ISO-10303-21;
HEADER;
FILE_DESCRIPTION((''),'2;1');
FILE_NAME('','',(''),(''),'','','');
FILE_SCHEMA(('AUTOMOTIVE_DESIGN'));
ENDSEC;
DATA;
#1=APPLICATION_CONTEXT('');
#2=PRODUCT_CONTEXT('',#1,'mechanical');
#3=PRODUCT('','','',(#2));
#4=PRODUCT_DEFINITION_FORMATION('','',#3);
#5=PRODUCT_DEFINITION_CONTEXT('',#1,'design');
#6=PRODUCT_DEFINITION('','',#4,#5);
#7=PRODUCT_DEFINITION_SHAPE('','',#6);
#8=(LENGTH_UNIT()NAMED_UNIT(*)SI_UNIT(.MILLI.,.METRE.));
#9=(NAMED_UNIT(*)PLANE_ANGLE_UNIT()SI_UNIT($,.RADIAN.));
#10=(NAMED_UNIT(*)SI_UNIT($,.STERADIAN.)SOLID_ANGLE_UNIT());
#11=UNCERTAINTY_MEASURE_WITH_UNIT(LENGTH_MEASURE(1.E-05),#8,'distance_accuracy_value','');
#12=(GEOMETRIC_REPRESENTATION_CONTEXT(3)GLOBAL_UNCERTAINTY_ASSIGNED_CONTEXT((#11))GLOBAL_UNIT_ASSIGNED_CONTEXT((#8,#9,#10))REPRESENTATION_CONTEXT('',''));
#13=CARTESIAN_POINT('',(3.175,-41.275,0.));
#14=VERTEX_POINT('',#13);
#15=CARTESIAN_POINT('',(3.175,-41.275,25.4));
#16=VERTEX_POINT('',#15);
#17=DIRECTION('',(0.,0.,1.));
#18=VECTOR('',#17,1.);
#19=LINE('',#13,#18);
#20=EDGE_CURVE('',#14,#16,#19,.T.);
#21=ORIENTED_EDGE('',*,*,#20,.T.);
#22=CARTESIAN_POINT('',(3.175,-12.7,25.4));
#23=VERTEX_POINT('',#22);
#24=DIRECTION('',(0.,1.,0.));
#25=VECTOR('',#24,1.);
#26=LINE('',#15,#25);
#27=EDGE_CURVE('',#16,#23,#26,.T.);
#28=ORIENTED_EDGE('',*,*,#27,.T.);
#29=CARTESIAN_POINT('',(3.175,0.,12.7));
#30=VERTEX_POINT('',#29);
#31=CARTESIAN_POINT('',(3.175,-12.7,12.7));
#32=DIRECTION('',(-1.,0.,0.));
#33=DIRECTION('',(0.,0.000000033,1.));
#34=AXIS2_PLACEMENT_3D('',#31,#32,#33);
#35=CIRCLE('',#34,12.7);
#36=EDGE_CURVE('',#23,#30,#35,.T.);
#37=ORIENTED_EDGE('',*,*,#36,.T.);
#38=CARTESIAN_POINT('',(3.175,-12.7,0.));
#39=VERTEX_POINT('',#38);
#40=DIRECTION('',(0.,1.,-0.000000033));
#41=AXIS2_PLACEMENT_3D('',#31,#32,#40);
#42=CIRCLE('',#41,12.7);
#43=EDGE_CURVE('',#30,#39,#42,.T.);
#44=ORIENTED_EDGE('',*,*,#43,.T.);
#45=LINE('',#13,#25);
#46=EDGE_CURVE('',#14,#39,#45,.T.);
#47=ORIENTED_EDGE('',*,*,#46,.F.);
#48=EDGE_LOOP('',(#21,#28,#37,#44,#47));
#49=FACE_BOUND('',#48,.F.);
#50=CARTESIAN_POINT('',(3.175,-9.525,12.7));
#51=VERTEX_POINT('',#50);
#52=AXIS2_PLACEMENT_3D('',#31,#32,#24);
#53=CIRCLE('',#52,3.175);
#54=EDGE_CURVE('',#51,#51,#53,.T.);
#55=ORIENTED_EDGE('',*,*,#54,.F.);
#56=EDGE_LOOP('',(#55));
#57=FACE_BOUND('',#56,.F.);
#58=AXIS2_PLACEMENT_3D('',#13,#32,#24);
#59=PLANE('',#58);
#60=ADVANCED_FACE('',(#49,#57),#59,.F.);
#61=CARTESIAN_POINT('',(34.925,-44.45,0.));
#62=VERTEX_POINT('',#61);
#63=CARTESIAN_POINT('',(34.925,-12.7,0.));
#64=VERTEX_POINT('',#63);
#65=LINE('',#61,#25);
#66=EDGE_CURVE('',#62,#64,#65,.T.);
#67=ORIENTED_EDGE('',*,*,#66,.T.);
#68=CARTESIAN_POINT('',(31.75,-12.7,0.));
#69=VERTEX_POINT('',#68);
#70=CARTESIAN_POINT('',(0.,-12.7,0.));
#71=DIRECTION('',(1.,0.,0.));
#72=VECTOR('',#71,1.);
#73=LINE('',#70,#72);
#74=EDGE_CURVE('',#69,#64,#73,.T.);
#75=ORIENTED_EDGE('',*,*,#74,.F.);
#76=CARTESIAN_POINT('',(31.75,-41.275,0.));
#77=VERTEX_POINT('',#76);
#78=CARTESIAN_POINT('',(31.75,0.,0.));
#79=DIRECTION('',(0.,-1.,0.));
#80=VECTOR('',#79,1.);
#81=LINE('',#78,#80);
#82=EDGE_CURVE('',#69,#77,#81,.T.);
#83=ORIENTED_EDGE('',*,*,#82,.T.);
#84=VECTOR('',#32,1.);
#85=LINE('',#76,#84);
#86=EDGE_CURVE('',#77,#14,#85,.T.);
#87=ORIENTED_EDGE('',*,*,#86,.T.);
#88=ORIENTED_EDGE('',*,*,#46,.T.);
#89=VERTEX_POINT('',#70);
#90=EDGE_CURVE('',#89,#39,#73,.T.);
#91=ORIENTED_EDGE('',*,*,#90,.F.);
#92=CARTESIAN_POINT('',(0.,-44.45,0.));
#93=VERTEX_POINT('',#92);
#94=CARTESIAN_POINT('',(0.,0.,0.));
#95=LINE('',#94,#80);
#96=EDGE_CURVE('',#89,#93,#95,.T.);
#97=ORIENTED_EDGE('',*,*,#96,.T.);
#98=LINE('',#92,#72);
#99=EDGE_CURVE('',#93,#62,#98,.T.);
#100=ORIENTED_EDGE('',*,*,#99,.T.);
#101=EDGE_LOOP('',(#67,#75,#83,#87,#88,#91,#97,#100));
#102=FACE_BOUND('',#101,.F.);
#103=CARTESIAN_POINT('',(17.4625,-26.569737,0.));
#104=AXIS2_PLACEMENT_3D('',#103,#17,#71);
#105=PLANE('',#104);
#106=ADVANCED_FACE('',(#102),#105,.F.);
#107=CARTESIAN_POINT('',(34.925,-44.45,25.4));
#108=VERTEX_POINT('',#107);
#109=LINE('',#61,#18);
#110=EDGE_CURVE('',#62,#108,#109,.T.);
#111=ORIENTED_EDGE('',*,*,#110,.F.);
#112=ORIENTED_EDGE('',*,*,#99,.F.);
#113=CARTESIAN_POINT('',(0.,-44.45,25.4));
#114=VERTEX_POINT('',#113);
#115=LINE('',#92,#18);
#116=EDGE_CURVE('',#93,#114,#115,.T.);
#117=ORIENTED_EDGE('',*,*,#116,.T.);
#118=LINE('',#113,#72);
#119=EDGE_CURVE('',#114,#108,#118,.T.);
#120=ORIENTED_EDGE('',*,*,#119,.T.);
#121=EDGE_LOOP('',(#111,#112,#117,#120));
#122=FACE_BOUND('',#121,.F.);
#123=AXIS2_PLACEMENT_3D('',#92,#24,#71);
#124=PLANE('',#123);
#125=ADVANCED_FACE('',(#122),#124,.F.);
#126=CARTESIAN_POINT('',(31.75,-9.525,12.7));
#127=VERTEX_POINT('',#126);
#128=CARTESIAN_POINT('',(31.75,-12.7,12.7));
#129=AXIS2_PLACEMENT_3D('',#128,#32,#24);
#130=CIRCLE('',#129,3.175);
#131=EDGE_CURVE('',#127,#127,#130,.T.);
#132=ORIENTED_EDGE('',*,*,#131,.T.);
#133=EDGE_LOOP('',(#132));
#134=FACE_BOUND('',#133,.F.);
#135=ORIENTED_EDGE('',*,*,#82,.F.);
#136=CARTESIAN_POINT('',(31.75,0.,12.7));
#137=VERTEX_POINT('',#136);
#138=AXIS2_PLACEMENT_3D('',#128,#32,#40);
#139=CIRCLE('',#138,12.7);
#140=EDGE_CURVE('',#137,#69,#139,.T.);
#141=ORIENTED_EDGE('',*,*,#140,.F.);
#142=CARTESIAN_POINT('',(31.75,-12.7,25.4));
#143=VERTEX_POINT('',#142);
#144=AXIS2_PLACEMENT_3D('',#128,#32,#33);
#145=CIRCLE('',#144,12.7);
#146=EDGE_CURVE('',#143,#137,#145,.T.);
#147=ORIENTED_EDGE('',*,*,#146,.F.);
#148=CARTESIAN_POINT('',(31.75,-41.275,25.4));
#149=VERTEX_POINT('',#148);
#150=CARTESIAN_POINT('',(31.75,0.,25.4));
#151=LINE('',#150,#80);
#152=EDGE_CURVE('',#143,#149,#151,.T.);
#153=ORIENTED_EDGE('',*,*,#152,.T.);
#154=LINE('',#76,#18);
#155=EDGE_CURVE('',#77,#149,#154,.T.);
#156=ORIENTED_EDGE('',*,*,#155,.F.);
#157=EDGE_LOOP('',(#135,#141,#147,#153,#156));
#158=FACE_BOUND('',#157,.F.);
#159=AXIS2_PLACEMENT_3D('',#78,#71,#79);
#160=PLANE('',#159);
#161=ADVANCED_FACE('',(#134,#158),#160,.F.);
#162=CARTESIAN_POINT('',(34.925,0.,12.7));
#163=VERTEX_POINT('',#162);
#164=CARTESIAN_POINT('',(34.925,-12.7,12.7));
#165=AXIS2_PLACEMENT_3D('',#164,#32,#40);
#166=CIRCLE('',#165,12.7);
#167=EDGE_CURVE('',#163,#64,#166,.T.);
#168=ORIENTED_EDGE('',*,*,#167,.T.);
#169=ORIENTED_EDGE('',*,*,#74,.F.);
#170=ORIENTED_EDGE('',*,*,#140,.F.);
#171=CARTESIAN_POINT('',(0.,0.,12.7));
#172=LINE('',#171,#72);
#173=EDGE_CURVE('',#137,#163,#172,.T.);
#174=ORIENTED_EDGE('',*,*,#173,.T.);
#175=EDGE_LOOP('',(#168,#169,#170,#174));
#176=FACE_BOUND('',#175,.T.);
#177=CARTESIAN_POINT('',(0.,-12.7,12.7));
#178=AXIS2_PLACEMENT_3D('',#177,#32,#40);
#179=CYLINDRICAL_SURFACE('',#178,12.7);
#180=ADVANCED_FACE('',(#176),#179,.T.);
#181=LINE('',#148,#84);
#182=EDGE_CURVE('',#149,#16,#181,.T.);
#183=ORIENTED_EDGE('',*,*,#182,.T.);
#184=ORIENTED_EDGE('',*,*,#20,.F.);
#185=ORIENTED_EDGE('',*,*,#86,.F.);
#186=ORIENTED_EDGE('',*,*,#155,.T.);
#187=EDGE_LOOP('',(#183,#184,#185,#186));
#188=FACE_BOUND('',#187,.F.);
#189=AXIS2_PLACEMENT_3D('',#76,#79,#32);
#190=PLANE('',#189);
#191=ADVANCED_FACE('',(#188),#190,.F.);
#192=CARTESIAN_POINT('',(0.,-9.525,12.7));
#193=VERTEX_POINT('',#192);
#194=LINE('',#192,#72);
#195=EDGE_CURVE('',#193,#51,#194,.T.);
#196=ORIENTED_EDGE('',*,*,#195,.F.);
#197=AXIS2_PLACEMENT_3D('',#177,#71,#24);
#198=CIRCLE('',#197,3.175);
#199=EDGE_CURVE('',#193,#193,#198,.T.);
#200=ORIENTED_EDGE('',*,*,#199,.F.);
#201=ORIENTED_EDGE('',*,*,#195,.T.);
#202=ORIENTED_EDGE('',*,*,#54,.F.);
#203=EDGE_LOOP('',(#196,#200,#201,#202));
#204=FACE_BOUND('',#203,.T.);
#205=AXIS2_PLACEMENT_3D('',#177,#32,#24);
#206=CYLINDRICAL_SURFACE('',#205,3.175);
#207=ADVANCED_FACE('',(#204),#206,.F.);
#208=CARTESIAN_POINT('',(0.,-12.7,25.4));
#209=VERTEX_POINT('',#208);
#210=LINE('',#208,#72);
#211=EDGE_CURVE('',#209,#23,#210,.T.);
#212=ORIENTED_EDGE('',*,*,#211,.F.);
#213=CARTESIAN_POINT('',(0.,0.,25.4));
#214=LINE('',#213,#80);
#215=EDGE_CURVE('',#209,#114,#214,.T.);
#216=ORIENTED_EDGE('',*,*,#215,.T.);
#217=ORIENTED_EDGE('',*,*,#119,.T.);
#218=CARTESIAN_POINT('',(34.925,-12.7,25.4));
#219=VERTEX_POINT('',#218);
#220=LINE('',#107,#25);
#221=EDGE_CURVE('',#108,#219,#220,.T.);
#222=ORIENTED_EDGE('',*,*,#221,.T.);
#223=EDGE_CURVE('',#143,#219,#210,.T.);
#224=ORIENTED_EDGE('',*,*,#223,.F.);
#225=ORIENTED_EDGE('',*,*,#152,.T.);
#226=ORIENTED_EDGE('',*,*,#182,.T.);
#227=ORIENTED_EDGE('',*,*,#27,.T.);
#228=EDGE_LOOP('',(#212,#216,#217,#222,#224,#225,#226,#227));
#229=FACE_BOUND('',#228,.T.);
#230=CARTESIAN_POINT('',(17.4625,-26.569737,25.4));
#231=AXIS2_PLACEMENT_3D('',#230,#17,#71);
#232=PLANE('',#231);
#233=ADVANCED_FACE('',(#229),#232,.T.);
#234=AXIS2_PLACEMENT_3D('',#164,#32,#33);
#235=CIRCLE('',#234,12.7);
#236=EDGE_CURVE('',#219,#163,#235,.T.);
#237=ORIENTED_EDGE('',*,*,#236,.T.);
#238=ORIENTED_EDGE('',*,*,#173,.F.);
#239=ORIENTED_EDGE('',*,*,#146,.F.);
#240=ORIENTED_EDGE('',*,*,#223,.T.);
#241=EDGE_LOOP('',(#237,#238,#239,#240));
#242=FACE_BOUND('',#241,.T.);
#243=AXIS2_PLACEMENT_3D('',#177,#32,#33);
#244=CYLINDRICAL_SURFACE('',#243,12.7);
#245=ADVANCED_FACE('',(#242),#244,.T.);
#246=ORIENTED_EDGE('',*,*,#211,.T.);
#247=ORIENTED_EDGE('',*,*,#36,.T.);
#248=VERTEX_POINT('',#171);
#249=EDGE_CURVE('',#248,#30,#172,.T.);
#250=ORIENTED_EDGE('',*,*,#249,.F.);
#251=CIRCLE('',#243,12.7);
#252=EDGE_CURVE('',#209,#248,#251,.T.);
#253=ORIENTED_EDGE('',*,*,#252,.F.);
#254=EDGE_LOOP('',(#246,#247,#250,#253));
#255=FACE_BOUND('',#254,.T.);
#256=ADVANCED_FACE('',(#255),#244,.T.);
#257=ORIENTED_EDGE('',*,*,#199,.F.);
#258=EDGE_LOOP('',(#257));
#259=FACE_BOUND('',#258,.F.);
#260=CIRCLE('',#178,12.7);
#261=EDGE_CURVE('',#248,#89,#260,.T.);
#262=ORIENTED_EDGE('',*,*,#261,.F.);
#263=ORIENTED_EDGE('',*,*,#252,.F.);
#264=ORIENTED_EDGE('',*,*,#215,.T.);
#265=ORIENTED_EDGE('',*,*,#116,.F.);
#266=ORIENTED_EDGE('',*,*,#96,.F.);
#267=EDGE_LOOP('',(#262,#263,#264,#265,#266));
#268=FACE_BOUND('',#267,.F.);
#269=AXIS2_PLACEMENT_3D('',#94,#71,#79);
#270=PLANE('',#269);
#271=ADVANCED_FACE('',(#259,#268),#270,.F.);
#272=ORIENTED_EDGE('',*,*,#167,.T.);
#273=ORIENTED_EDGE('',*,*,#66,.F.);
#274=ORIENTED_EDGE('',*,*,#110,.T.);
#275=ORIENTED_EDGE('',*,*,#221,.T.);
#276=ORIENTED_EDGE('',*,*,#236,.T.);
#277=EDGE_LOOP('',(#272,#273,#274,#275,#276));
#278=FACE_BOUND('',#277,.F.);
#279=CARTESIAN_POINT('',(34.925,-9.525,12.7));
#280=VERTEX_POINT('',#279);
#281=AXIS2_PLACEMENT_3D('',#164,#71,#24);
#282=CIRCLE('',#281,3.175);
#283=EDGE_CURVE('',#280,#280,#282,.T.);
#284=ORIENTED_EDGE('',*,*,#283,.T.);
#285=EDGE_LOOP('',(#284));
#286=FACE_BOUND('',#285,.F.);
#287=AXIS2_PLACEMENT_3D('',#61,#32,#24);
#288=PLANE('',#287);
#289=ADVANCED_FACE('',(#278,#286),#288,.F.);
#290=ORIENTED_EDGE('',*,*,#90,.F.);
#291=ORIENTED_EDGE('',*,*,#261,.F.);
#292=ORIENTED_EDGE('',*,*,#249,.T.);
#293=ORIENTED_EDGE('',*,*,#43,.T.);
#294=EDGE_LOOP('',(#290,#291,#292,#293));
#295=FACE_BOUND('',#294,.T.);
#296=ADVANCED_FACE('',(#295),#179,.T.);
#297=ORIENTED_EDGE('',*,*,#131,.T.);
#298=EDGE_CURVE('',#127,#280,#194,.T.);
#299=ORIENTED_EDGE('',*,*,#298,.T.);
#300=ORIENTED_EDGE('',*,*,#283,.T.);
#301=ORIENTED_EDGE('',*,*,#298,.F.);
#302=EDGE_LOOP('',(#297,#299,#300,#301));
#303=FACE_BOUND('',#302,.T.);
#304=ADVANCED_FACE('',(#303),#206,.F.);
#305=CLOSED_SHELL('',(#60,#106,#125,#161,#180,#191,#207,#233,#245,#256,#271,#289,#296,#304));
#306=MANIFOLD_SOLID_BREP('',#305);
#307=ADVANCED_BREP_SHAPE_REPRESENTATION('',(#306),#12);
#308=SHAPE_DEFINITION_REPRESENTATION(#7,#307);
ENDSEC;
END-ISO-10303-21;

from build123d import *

# Parameters (mm, degrees)
F1_DEPTH = 25.4
F2_R     = 3.175
F3_DEPTH = 34.925


with BuildPart() as f1:
    # F0 (on Top) → F1 (new body)
    with BuildSketch(Plane.XY):
        Polygon((3.175, 0), (0, 0), (0, -44.45), (34.925, -44.45), (34.925, 0), (31.75, 0), (31.75, -41.275), (3.175, -41.275), align=None)
    extrude(amount=F1_DEPTH)

    # F2 (on Right) → F3 (cut)
    with BuildSketch(Plane.YZ):
        with BuildLine():
            Line((0, 0), (0, 12.7))
            ThreePointArc((0, 12.7), (-3.719744, 3.719744), (-12.7, 0))
            Line((-12.7, 0), (0, 0))
        make_face()
        with BuildLine():
            ThreePointArc((-12.7, 25.4), (-3.719744, 21.680256), (0, 12.7))
            Line((0, 12.7), (0, 25.4))
            Line((0, 25.4), (-12.7, 25.4))
        make_face()
        with Locations((-12.7, 12.7)):
            Circle(F2_R)
    extrude(amount=F3_DEPTH, mode=Mode.SUBTRACT)


solid = f1.part
